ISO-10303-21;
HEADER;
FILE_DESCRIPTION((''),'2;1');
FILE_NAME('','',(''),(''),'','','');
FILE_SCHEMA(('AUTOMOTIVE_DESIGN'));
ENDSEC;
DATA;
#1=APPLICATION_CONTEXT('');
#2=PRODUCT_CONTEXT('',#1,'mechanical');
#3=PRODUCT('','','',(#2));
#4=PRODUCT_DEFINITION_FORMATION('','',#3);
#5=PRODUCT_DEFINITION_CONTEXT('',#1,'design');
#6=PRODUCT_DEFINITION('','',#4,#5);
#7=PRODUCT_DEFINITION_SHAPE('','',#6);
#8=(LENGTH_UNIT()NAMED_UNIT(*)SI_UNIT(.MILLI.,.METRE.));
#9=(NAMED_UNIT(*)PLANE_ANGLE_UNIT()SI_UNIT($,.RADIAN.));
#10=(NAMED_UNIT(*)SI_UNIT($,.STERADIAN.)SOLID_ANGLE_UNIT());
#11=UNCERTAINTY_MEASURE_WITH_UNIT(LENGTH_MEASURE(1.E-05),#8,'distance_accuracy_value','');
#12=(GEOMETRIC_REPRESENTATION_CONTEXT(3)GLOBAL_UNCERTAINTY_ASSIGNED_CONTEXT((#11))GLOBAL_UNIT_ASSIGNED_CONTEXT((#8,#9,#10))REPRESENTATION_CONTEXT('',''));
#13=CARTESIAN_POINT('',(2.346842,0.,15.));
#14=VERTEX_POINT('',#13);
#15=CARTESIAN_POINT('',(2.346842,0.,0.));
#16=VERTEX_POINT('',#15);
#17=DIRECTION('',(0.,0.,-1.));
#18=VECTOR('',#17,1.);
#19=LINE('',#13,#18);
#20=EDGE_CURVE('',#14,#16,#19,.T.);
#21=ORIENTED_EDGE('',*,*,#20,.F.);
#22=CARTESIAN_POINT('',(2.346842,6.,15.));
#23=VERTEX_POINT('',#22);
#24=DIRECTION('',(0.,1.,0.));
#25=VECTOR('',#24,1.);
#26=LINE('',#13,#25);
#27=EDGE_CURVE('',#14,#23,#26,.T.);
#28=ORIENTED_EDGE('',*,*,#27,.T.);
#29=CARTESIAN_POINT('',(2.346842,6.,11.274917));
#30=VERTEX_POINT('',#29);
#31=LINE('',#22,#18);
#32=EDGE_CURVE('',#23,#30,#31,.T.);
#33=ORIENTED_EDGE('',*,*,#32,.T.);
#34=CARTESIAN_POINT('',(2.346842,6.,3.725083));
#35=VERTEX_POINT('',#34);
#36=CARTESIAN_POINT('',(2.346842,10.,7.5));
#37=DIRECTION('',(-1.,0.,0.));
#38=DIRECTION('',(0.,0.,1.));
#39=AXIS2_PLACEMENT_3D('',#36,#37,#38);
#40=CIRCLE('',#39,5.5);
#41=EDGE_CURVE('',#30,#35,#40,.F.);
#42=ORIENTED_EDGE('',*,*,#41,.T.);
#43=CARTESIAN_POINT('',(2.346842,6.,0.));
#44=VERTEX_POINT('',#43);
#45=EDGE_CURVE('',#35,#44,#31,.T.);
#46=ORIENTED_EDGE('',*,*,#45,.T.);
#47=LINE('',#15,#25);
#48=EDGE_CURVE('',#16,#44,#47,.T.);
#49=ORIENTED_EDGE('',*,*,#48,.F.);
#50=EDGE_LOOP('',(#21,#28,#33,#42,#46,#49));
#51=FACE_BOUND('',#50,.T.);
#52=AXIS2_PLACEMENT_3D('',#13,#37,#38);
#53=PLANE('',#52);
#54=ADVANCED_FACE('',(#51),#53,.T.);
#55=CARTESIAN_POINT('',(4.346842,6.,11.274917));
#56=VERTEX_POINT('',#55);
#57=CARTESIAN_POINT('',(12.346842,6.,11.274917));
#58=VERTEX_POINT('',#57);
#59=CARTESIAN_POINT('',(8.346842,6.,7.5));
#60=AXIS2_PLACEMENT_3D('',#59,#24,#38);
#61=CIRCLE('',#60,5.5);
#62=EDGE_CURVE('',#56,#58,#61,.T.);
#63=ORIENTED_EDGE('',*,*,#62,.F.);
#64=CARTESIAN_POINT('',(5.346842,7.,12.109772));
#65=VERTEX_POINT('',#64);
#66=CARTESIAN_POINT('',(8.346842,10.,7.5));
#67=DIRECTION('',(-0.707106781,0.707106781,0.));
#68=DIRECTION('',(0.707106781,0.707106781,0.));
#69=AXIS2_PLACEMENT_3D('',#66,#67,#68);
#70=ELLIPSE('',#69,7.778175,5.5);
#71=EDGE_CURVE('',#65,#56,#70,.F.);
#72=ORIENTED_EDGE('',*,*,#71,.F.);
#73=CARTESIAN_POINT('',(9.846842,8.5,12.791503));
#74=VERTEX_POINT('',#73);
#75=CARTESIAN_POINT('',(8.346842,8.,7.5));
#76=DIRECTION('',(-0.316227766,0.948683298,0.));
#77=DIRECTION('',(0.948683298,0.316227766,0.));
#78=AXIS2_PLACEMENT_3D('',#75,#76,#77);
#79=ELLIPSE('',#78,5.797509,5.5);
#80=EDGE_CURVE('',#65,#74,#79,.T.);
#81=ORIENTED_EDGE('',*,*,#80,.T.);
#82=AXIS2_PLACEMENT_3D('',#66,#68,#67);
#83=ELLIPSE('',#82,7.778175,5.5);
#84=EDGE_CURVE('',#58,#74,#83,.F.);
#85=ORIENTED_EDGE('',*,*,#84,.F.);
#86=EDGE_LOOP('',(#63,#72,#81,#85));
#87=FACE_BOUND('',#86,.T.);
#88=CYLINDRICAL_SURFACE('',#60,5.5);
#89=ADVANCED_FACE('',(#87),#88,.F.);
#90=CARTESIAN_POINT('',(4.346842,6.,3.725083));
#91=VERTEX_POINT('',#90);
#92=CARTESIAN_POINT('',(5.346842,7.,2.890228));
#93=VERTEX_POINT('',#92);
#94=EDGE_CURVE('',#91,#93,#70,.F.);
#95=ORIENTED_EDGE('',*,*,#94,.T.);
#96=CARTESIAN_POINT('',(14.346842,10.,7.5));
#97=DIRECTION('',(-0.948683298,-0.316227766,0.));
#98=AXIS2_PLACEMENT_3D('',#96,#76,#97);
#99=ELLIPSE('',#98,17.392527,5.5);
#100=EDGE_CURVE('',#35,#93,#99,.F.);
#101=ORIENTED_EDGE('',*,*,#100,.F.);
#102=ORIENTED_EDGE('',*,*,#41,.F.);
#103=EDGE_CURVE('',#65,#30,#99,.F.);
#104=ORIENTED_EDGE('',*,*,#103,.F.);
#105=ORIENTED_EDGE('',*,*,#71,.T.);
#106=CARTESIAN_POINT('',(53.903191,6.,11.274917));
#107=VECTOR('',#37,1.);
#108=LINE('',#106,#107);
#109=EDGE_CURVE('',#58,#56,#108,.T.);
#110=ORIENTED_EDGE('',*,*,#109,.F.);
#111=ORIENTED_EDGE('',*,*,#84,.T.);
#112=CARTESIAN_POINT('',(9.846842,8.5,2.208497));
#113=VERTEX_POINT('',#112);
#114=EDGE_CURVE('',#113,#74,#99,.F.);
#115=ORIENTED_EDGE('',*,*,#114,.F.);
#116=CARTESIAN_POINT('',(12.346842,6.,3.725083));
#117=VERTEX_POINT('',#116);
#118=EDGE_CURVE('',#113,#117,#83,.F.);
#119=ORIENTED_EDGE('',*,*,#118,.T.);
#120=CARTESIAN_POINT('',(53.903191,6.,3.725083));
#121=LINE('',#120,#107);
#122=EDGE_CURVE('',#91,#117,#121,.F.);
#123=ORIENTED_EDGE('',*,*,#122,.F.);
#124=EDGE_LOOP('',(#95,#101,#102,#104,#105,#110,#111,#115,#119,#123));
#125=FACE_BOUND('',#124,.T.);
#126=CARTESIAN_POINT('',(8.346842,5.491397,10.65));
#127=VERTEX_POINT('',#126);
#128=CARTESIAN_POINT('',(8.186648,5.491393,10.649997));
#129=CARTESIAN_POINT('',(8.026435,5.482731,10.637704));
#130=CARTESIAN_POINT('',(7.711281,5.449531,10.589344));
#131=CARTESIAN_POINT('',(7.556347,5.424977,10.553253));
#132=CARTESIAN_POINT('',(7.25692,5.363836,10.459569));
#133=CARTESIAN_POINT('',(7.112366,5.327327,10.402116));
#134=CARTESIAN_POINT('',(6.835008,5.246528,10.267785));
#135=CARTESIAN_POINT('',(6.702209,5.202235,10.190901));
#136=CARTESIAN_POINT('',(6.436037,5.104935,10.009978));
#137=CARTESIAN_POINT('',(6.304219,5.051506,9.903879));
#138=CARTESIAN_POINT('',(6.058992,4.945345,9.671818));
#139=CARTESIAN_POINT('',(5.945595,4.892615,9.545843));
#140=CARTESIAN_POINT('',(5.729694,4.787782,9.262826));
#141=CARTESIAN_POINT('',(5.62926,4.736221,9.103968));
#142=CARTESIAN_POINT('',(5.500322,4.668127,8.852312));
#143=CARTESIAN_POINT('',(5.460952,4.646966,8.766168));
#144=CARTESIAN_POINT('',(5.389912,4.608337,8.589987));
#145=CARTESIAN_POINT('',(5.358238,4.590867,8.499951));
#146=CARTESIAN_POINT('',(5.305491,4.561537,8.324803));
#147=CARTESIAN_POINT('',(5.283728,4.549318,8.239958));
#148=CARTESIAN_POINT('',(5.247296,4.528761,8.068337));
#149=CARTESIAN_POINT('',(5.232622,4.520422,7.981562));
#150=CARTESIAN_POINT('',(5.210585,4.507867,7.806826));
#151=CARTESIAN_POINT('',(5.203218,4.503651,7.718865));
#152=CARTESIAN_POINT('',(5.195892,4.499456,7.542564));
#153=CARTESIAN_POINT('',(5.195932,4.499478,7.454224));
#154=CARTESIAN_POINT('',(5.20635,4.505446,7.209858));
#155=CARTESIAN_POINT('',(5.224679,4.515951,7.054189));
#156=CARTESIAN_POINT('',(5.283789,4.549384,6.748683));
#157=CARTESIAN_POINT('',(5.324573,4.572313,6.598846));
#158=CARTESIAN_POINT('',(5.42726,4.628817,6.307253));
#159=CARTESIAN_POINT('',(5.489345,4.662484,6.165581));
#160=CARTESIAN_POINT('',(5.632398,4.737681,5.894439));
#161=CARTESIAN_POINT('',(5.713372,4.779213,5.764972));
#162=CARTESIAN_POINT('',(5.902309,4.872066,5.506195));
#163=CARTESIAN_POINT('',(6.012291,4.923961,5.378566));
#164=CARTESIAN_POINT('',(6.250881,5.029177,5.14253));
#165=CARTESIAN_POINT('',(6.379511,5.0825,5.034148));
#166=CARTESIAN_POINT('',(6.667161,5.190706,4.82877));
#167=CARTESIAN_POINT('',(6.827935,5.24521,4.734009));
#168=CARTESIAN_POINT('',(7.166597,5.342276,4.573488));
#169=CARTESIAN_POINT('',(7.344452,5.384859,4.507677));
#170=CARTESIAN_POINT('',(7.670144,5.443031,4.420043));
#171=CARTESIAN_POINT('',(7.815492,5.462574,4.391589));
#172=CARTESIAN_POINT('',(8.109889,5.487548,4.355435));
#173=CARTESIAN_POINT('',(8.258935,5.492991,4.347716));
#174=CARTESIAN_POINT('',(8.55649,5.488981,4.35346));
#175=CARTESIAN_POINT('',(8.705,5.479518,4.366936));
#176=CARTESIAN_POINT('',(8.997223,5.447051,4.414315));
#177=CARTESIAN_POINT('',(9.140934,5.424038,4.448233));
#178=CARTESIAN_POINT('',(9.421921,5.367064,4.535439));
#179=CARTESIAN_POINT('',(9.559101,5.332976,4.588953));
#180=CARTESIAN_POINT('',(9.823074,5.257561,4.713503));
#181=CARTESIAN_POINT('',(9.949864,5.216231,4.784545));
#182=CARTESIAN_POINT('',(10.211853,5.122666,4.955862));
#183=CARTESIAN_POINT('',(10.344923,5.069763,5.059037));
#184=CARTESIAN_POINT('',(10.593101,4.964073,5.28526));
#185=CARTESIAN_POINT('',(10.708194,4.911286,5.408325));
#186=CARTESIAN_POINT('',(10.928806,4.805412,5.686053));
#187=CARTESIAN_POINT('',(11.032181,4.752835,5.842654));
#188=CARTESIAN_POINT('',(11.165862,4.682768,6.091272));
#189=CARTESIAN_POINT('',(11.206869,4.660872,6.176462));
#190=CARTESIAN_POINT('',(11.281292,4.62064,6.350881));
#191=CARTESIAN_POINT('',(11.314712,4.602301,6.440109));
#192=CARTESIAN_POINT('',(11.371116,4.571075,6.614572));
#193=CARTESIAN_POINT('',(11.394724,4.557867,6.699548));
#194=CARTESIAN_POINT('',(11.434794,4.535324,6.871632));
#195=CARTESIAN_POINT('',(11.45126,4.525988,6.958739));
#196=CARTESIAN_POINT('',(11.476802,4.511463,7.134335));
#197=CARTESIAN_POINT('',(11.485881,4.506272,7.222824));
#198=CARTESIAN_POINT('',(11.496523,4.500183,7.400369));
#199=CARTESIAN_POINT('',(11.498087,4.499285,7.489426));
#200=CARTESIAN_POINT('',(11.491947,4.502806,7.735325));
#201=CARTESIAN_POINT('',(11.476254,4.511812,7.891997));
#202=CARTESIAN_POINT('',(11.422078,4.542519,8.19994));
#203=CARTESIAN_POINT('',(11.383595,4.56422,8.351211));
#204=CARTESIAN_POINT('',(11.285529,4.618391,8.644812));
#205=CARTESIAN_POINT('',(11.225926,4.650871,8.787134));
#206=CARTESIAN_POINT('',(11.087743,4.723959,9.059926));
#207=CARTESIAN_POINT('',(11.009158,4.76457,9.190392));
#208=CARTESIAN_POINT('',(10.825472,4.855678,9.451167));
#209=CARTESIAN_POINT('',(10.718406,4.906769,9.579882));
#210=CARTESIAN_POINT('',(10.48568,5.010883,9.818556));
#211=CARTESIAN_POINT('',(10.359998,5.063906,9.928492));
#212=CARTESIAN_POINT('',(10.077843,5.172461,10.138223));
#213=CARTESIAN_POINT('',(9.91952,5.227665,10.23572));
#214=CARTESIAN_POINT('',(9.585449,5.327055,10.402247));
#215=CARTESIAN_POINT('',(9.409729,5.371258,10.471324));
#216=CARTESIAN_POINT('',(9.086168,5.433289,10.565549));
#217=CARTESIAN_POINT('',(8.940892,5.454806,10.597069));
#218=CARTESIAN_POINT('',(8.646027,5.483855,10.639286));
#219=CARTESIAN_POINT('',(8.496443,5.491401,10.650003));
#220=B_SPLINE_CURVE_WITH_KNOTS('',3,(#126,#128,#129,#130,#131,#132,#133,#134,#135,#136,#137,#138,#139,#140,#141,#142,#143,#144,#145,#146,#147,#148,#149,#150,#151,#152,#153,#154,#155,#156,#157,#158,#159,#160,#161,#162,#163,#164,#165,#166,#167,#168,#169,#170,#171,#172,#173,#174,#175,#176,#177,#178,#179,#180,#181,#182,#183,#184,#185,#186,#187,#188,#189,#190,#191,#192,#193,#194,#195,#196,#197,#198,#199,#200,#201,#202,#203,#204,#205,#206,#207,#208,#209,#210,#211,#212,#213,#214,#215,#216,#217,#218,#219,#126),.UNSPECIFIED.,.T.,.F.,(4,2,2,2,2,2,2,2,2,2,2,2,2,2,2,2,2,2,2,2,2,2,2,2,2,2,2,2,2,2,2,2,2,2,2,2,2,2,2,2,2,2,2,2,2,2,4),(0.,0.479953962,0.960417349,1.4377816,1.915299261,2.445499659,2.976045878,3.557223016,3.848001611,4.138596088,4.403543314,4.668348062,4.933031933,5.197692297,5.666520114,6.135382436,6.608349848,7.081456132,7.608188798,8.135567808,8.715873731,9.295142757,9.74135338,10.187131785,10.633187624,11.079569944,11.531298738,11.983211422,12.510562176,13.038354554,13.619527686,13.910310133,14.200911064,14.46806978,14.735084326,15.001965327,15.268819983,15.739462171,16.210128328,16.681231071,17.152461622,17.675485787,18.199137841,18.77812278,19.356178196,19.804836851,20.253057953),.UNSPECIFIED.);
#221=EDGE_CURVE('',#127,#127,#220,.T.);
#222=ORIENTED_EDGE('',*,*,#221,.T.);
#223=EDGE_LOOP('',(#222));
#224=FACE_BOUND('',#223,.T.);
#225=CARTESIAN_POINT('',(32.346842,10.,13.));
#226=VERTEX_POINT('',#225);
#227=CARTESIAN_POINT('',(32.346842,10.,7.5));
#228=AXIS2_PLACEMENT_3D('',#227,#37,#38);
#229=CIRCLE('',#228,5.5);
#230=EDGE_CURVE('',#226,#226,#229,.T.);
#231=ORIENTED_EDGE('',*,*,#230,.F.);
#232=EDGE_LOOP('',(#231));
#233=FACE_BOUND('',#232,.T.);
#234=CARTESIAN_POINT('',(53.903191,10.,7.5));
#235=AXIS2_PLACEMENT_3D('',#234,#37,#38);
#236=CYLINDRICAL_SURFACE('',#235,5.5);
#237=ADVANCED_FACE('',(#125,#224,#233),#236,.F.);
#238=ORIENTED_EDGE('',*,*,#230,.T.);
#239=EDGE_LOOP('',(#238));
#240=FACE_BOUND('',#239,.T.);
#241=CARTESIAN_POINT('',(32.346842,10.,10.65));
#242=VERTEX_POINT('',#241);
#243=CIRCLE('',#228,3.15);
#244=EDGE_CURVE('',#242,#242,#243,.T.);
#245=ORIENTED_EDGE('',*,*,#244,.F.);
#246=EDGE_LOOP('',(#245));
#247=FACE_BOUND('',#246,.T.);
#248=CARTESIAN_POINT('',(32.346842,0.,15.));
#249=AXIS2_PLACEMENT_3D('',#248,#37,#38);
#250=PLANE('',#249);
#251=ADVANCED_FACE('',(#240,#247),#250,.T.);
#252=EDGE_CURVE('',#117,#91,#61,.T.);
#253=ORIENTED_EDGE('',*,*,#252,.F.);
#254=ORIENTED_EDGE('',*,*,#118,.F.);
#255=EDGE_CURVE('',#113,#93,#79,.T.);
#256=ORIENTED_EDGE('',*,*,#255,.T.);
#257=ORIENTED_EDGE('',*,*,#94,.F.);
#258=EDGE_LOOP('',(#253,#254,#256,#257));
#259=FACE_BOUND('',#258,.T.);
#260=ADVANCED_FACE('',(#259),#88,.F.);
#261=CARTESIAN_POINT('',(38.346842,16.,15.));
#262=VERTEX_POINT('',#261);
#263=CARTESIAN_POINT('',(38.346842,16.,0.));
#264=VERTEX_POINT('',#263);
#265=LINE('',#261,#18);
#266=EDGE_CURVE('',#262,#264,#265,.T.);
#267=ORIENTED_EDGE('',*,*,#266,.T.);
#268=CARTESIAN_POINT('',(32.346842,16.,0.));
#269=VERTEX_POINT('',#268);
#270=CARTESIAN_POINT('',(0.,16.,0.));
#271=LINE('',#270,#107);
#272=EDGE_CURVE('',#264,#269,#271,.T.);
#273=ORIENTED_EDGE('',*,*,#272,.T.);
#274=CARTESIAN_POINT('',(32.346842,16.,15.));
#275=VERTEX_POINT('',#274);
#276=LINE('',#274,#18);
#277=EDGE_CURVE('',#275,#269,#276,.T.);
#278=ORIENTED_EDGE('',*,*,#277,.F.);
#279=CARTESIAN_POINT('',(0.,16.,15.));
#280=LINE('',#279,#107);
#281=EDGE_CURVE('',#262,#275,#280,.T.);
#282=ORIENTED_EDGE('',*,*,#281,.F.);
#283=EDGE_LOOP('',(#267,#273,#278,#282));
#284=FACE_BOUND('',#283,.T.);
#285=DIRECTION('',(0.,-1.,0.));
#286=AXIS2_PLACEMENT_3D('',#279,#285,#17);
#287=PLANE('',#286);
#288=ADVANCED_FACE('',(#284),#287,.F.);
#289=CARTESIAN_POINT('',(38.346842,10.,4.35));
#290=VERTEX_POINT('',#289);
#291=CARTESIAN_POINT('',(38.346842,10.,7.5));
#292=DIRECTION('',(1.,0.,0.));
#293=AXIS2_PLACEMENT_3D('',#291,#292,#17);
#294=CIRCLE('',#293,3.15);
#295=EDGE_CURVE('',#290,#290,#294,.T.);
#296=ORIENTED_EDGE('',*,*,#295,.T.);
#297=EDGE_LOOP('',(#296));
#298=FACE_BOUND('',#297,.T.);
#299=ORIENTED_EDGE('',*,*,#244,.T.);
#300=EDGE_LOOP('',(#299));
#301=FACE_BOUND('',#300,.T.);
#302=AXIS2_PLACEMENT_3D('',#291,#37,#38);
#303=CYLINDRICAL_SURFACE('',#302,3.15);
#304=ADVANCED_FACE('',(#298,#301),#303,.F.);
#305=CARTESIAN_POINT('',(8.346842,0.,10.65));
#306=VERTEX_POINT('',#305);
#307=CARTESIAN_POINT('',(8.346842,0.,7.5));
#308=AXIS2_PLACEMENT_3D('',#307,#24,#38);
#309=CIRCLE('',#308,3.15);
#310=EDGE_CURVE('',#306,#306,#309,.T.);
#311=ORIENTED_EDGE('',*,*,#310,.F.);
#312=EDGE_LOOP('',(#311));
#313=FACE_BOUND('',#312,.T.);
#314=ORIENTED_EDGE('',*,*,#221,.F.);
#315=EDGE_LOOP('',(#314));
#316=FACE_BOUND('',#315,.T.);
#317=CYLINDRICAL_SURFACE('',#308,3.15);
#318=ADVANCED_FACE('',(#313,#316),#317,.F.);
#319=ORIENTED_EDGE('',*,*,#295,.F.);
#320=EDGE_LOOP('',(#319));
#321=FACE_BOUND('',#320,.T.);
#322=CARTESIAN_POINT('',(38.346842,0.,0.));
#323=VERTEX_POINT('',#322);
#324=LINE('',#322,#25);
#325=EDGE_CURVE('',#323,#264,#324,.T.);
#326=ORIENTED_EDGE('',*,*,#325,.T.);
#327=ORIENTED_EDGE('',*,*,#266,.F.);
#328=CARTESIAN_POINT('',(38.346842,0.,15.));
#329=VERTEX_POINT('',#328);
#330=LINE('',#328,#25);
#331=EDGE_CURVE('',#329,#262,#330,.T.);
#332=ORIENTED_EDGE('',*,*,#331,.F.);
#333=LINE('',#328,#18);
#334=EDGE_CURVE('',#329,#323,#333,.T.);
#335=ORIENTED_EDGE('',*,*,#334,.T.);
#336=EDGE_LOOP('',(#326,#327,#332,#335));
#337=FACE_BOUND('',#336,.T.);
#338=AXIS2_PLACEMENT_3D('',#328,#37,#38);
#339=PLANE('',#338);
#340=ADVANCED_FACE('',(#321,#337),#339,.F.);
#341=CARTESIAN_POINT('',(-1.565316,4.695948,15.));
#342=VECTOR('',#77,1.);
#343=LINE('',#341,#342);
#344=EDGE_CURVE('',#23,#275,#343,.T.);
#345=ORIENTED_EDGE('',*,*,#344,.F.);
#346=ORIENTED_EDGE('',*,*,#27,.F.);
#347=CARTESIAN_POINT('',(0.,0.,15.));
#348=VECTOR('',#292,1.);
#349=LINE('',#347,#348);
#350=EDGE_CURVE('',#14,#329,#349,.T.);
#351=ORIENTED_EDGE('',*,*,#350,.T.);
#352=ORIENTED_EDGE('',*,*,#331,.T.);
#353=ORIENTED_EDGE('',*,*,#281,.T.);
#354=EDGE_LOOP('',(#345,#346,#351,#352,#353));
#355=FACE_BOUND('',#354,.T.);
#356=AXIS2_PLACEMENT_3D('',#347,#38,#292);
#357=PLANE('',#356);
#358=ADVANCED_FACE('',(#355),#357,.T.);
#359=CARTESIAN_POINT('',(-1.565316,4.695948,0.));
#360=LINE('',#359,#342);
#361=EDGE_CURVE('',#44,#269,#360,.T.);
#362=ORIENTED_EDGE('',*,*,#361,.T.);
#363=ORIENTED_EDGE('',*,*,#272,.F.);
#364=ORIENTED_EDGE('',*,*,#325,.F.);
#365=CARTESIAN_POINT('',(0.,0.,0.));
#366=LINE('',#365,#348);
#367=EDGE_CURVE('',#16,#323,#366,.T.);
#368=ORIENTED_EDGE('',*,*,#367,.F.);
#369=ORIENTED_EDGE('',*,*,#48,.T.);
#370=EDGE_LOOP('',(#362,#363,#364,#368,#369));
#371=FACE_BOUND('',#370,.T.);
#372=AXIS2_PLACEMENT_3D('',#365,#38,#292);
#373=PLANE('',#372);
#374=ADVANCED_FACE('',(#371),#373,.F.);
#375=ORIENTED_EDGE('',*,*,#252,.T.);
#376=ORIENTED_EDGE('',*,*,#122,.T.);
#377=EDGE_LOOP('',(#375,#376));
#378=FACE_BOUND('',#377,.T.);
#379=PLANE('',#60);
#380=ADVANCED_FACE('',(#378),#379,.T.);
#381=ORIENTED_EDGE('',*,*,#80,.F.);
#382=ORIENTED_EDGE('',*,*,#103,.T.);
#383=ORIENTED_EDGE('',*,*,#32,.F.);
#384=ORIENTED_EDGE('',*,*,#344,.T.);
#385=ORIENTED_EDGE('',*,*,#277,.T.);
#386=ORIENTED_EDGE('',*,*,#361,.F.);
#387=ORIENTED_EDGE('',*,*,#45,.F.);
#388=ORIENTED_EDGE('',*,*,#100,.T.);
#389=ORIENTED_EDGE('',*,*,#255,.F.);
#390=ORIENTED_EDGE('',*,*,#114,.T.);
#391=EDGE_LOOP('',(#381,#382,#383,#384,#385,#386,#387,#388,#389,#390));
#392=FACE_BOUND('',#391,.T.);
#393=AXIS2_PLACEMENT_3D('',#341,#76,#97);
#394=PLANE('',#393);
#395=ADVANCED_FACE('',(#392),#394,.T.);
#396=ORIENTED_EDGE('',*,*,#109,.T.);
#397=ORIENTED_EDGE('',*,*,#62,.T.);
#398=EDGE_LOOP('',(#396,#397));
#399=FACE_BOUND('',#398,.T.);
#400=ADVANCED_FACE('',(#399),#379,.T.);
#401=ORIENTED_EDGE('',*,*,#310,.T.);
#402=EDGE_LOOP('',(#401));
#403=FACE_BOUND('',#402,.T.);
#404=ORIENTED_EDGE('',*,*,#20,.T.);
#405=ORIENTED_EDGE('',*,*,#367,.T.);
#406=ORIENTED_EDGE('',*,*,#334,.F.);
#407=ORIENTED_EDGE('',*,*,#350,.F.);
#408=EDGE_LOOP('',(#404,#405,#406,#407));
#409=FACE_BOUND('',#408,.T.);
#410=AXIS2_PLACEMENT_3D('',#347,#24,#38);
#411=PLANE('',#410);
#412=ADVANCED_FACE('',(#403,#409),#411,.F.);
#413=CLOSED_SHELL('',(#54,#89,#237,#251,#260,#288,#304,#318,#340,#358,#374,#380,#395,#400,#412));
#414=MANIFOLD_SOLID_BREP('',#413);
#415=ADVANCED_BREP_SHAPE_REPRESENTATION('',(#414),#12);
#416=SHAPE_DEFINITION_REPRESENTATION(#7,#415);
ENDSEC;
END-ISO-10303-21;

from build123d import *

# Parameters (mm, degrees)
BOSS_EXTRUDE2_DEPTH = 15
SKETCH4_R           = 3.15
CUT_EXTRUDE1_DEPTH  = 46.776415929
SKETCH4_3_R         = 5.5
SKETCH4_3_R_2       = 3.15
CUT_EXTRUDE2_DEPTH  = 14
SKETCH6_R           = 3.15
CUT_EXTRUDE3_DEPTH  = 45.175561743
SKETCH6_3_R         = 5.5
SKETCH6_3_R_2       = 3.15
CUT_EXTRUDE4_DEPTH  = 32.34684153


with BuildPart() as part:
    # Sketch3 → Boss-Extrude2 (new body)
    with BuildSketch(Plane.XY):
        Polygon((2.34684153, 0), (38.34684153, 0), (38.34684153, 16), (32.34684153, 16), (2.34684153, 6), align=None)
    extrude(amount=BOSS_EXTRUDE2_DEPTH)

    # Sketch4 → Cut-Extrude1 (cut, through all)
    with BuildSketch(Plane(origin=(0, 20, 0), x_dir=(1, 0, 0), z_dir=(0, 1, 0))):
        with Locations(Location((8.34684153, -7.5, 0), (0, 0, 270))):
            Circle(SKETCH4_R)
    extrude(amount=-CUT_EXTRUDE1_DEPTH, mode=Mode.SUBTRACT)

    # Sketch4<3> → Cut-Extrude2 (cut)
    with BuildSketch(Plane(origin=(0, 20, 0), x_dir=(1, 0, 0), z_dir=(0, 1, 0))):
        with Locations(Location((8.34684153, -7.5, 0), (0, 0, 270))):
            Circle(SKETCH4_3_R)
        with Locations(Location((8.34684153, -7.5, 0), (0, 0, 270))):
            Circle(SKETCH4_3_R_2, mode=Mode.SUBTRACT)
    extrude(amount=-CUT_EXTRUDE2_DEPTH, mode=Mode.SUBTRACT)

    # Sketch6 → Cut-Extrude3 (cut, through all)
    with BuildSketch(Plane(origin=(0, 0, 0), x_dir=(0, 0, -1), z_dir=(1, 0, 0))):
        with Locations(Location((-7.5, 10, 0), (0, 0, 188.918497492))):
            Circle(SKETCH6_R)
    extrude(amount=CUT_EXTRUDE3_DEPTH, mode=Mode.SUBTRACT)

    # Sketch6<3> → Cut-Extrude4 (cut)
    with BuildSketch(Plane(origin=(0, 0, 0), x_dir=(0, 0, -1), z_dir=(1, 0, 0))):
        with Locations(Location((-7.5, 10, 0), (0, 0, 180))):
            Circle(SKETCH6_3_R)
        with Locations(Location((-7.5, 10, 0), (0, 0, 180))):
            Circle(SKETCH6_3_R_2, mode=Mode.SUBTRACT)
    extrude(amount=CUT_EXTRUDE4_DEPTH, mode=Mode.SUBTRACT)


solid = part.part
